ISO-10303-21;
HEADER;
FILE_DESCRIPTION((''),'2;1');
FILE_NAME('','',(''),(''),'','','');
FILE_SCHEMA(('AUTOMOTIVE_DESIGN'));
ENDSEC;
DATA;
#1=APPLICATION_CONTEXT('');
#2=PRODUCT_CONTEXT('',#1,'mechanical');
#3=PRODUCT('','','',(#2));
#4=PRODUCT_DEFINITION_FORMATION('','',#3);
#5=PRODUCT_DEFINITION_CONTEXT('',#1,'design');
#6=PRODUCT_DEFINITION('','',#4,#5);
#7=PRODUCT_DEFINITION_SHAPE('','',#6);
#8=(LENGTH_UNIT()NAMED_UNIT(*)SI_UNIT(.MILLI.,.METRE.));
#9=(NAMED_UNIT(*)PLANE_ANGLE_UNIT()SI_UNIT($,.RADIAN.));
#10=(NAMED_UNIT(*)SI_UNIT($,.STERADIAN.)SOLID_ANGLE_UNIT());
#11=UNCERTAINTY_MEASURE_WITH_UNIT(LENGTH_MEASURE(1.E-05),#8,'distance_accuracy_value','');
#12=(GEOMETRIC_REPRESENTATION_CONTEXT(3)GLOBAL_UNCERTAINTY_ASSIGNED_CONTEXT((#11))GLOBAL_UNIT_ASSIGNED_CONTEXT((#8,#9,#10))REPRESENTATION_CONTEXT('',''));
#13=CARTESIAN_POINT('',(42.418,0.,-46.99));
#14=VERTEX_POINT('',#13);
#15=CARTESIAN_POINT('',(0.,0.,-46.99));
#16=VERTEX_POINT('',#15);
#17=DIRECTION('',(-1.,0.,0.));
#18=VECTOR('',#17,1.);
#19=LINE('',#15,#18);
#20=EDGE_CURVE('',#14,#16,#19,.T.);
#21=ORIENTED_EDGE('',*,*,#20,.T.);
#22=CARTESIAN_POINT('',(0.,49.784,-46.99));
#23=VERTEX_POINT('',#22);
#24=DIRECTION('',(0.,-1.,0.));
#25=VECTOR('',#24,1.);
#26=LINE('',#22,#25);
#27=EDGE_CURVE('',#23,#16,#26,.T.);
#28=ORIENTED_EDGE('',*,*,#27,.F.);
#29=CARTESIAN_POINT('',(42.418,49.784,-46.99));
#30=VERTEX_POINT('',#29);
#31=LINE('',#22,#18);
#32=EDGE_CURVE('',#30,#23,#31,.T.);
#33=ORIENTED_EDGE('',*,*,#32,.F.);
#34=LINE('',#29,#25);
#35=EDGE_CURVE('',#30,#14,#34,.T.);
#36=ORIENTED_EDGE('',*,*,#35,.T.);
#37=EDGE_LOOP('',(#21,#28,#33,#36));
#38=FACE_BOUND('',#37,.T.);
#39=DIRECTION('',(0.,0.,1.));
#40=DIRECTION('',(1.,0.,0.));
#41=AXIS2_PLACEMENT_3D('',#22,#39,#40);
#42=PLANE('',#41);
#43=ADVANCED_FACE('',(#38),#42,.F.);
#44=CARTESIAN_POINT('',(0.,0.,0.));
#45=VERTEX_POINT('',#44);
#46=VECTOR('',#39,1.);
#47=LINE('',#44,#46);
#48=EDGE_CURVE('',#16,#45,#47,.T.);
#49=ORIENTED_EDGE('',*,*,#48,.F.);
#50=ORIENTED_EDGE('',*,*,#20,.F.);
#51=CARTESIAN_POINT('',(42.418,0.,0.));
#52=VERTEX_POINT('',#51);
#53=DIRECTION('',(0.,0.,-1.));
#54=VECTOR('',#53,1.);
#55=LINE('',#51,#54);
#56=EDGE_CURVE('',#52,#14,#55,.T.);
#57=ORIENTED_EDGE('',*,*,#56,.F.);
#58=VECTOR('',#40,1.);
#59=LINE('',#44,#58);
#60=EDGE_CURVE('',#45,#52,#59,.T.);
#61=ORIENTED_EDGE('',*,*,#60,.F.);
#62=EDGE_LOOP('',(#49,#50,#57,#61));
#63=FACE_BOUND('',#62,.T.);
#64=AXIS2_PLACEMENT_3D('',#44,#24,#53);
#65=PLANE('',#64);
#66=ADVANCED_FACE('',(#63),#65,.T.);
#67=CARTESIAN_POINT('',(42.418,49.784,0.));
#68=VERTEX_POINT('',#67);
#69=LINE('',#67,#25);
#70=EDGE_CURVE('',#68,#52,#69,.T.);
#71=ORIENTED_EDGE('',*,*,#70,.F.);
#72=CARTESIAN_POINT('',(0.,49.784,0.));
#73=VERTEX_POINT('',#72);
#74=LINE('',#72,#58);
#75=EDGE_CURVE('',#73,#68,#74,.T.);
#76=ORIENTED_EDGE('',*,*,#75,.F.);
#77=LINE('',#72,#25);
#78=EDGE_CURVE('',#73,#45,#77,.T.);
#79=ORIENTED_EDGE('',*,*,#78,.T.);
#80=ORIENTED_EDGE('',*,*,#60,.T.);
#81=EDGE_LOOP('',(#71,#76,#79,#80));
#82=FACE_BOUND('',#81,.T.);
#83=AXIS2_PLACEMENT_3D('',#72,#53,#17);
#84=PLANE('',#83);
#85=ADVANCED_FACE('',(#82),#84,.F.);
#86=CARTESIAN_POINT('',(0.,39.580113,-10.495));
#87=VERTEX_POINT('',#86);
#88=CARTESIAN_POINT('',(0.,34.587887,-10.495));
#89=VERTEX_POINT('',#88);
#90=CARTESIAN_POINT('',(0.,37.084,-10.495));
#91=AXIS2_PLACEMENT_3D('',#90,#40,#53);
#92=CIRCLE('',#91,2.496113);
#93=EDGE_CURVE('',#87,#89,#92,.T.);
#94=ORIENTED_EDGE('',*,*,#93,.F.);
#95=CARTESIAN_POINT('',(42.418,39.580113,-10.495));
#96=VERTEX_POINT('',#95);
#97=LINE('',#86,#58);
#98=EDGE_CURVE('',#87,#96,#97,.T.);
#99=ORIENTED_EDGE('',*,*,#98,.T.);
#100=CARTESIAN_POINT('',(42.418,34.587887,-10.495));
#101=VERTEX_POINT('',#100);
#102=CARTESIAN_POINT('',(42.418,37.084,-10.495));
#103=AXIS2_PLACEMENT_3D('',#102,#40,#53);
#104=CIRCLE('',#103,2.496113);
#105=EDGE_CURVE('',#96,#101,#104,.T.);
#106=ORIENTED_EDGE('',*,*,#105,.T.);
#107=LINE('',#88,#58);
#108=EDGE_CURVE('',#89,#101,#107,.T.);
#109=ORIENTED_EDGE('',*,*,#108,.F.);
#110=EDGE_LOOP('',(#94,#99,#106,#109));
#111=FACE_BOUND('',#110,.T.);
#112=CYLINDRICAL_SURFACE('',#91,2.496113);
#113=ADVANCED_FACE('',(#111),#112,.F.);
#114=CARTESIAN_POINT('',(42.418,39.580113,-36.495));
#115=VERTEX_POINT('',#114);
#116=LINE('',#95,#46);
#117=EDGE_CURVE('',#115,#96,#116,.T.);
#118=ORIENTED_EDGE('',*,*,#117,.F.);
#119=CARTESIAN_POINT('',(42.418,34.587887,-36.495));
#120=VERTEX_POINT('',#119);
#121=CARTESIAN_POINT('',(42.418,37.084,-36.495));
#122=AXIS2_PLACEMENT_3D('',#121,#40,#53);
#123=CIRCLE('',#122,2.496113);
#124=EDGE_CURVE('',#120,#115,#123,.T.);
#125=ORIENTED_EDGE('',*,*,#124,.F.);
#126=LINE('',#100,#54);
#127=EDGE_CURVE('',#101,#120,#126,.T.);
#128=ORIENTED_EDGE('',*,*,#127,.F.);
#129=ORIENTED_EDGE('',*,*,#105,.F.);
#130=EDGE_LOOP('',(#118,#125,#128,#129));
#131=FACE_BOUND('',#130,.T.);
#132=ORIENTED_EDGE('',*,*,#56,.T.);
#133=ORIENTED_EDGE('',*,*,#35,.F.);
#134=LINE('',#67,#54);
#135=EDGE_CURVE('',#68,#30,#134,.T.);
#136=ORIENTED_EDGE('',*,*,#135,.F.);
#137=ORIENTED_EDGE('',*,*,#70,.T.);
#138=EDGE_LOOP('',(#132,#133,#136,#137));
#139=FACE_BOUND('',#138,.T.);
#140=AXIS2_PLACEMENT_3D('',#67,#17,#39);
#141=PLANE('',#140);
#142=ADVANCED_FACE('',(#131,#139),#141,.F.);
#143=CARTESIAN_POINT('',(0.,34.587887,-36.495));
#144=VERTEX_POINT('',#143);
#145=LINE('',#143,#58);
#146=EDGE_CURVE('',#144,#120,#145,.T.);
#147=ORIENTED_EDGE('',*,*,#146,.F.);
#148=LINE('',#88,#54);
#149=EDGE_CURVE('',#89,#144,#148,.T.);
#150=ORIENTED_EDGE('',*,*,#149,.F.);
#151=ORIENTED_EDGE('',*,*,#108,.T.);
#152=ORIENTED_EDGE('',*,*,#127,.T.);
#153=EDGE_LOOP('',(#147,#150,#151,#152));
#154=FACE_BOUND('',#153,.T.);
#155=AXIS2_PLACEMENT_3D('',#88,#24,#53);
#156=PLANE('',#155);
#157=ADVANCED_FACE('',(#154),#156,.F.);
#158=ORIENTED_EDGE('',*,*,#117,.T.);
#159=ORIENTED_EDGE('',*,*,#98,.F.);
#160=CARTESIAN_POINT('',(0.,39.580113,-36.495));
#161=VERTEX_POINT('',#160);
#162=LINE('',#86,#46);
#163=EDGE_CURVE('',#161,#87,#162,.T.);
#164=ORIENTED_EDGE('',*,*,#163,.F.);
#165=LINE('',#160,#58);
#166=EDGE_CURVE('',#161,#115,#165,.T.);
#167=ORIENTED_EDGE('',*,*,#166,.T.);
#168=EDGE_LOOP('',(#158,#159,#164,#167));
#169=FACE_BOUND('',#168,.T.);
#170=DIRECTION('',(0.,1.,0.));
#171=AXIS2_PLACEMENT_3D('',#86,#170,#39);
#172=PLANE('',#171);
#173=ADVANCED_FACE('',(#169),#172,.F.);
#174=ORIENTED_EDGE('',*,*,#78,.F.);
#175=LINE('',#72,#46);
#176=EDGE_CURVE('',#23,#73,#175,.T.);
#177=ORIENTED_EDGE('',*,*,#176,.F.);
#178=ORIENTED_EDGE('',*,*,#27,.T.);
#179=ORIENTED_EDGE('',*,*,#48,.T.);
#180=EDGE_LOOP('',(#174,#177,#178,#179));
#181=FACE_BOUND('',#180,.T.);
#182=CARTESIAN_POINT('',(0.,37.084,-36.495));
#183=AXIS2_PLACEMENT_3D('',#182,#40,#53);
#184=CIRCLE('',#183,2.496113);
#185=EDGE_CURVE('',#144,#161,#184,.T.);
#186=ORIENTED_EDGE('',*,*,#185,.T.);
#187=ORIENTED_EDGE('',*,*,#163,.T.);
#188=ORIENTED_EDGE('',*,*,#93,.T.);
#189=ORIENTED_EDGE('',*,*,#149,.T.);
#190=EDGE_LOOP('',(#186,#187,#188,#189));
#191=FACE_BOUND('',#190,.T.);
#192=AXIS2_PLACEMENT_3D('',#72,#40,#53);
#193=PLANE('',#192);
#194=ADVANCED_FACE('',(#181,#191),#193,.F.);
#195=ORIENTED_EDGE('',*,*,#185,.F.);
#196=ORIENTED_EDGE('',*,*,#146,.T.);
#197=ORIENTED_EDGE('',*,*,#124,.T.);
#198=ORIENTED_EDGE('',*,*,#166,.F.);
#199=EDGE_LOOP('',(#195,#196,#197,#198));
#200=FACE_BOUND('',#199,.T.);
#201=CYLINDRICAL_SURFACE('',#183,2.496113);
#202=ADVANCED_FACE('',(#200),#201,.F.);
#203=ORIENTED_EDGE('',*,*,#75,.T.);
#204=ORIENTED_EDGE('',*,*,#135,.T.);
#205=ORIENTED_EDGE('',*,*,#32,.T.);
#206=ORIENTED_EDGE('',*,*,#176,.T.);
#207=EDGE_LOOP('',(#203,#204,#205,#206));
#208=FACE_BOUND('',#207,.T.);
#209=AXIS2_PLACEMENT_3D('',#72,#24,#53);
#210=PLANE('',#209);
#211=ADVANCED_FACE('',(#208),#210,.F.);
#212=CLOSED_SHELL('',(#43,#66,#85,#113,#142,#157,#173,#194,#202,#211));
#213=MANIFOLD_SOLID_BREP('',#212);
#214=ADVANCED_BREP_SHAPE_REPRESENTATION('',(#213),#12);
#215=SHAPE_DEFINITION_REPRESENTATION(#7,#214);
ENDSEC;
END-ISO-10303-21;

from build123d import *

# Parameters (mm, degrees)
SKETCH1_W           = 42.418
SKETCH1_H           = 46.99
BOSS_EXTRUDE1_DEPTH = 49.784
CUT_EXTRUDE1_DEPTH  = 43.418


with BuildPart() as part:
    # Sketch1 → Boss-Extrude1 (new body)
    with BuildSketch(Plane(origin=(0, 0, 0), x_dir=(1, 0, 0), z_dir=(0, 1, 0))):
        with Locations((21.209, 23.495)):
            Rectangle(SKETCH1_W, SKETCH1_H)
    extrude(amount=BOSS_EXTRUDE1_DEPTH)

    # Sketch2 → Cut-Extrude1 (cut, through all)
    with BuildSketch(Plane(origin=(42.418, 0, 0), x_dir=(0, 0, -1), z_dir=(1, 0, 0))):
        with BuildLine():
            Line((10.495, 39.580113), (36.495, 39.580113))
            ThreePointArc((36.495, 39.580113), (38.991113, 37.084), (36.495, 34.587887))
            Line((36.495, 34.587887), (10.495, 34.587887))
            ThreePointArc((10.495, 34.587887), (7.998887, 37.084), (10.495, 39.580113))
        make_face()
    extrude(amount=-CUT_EXTRUDE1_DEPTH, mode=Mode.SUBTRACT)


solid = part.part
